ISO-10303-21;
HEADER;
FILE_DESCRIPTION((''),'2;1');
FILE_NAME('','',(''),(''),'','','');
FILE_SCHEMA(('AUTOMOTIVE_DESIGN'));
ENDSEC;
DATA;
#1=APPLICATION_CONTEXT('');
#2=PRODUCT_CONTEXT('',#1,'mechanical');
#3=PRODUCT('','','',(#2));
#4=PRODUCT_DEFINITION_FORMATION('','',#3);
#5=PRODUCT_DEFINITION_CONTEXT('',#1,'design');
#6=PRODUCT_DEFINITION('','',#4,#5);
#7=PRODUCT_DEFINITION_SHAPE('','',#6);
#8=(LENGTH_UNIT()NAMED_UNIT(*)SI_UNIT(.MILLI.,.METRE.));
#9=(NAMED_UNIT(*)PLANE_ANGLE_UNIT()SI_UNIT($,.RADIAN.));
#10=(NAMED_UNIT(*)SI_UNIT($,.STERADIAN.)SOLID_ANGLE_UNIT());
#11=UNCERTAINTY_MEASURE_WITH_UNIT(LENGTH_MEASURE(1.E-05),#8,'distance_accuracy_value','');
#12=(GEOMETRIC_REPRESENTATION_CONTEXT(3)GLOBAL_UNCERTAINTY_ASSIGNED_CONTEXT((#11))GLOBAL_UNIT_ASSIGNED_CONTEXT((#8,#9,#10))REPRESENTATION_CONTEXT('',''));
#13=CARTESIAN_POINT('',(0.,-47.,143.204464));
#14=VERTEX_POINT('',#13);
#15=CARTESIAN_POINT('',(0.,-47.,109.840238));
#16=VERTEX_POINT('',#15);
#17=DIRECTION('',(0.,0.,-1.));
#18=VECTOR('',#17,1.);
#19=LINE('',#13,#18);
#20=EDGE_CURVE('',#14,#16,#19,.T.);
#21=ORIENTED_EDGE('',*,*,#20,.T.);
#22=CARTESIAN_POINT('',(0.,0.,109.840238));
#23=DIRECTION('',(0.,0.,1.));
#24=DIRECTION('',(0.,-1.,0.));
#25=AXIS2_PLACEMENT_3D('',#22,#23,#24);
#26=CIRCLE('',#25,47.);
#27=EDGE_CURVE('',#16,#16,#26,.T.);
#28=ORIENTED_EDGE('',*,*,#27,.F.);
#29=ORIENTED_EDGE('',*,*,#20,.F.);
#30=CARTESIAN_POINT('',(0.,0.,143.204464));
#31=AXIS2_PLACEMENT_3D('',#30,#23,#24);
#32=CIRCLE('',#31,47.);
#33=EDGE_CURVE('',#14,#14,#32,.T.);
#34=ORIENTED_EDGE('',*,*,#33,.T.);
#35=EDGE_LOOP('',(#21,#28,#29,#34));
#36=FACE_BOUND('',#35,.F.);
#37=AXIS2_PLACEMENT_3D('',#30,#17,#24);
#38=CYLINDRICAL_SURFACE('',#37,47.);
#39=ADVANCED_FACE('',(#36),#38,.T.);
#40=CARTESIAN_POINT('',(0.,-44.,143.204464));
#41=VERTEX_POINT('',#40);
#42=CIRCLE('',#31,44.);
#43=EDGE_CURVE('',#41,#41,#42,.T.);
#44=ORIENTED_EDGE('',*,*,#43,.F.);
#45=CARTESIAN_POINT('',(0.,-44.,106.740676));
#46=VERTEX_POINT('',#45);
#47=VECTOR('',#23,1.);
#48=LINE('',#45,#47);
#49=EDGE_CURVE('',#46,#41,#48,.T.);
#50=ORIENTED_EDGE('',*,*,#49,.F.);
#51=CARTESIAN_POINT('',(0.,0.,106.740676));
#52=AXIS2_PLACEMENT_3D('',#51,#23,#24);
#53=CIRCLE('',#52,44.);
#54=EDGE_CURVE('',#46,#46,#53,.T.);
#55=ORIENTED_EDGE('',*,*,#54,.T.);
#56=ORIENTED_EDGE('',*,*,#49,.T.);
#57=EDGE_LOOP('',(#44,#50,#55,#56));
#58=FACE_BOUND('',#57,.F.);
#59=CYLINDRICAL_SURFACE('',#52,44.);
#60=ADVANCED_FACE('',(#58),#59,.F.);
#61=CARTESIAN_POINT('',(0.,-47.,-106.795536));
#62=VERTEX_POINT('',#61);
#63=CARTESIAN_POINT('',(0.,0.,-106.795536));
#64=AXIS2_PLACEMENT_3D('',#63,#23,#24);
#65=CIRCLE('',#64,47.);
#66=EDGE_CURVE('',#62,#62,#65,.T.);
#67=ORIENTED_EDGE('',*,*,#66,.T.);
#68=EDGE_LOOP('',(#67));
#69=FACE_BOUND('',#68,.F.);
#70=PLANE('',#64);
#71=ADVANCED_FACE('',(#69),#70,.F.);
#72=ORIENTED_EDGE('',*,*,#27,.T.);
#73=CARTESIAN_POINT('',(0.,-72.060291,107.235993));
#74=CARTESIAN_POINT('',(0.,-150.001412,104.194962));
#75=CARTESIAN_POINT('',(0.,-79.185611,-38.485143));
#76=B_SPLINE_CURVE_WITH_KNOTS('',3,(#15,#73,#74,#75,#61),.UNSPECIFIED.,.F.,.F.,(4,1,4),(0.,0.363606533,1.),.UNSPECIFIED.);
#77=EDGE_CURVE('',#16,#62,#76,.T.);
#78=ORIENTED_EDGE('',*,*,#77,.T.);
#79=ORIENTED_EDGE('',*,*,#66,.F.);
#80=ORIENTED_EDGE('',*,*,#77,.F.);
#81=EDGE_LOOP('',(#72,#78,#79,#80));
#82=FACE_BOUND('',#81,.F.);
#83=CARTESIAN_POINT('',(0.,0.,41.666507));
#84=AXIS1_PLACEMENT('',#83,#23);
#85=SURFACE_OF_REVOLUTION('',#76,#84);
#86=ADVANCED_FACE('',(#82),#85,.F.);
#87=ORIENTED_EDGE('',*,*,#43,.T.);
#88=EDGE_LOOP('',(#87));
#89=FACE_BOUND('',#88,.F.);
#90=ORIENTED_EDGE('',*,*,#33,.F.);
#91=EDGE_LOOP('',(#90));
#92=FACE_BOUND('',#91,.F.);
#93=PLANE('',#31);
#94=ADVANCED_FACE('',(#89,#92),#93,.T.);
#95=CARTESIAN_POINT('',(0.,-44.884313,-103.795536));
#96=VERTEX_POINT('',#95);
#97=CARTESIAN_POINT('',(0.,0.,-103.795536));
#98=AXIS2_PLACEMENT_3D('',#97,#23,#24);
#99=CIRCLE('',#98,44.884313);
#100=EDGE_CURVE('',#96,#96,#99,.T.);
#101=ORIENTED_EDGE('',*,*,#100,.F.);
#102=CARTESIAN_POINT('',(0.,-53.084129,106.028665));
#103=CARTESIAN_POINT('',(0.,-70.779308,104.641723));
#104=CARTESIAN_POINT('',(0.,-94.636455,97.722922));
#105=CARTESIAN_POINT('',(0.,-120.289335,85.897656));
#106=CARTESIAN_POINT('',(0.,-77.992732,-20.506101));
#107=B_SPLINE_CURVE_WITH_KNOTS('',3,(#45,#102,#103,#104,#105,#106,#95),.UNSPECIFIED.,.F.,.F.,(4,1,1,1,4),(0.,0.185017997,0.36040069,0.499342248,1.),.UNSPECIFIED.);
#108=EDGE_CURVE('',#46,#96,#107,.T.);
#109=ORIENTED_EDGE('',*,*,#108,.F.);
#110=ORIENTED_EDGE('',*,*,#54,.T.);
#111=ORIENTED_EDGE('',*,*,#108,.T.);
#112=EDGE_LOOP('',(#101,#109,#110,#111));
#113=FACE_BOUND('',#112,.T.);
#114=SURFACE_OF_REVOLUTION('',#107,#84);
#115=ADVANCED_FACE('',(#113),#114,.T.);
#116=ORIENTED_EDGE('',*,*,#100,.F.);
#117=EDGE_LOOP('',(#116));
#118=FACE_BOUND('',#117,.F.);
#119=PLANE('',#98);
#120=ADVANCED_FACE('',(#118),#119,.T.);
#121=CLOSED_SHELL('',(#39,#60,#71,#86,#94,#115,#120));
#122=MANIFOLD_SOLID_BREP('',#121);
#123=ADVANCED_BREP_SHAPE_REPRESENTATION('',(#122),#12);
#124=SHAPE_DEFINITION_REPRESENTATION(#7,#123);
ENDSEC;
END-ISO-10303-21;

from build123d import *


with BuildPart() as f1:
    # F0 (on Right) → F1 (revolve)
    with BuildSketch(Plane.YZ):
        with BuildLine():
            Line((-44, 143.2044637066), (-47, 143.2044637066))
            Line((-47, 143.2044637066), (-47, 109.8402382309))
            add(Edge.make_bspline(
                [(-47, 109.8402382309), (-72.0602910577, 107.2359927364), (-150.0014117026, 104.1949615692), (-79.1856109773, -38.4851433561), (-47, -106.7955362934)],
                knots=[0, 0, 0, 0, 0.3636065333, 1, 1, 1, 1], degree=3))
            Line((-47, -106.7955362934), (0, -106.7955362934))
            Line((0, -106.7955362934), (0, -103.7955362934))
            Line((0, -103.7955362934), (-44.8843128979, -103.7955362934))
            add(Edge.make_bspline(
                [(-44, 106.7406758666), (-53.0841292499, 106.0286649785), (-70.7793075522, 104.6417230634), (-94.6364553857, 97.7229220581), (-120.2893351597, 85.8976557914), (-77.9927322231, -20.5061006791), (-44.8843128979, -103.7955362934)],
                knots=[0, 0, 0, 0, 0.1850179973, 0.3604006902, 0.4993422479, 1, 1, 1, 1], degree=3))
            Line((-44, 106.7406758666), (-44, 109.9028289318))
            Line((-44, 109.9028289318), (-44, 143.2044637066))
        make_face()
    revolve(axis=Axis((0, 0, 41.66650682), (0, 0, 1)))


solid = f1.part
